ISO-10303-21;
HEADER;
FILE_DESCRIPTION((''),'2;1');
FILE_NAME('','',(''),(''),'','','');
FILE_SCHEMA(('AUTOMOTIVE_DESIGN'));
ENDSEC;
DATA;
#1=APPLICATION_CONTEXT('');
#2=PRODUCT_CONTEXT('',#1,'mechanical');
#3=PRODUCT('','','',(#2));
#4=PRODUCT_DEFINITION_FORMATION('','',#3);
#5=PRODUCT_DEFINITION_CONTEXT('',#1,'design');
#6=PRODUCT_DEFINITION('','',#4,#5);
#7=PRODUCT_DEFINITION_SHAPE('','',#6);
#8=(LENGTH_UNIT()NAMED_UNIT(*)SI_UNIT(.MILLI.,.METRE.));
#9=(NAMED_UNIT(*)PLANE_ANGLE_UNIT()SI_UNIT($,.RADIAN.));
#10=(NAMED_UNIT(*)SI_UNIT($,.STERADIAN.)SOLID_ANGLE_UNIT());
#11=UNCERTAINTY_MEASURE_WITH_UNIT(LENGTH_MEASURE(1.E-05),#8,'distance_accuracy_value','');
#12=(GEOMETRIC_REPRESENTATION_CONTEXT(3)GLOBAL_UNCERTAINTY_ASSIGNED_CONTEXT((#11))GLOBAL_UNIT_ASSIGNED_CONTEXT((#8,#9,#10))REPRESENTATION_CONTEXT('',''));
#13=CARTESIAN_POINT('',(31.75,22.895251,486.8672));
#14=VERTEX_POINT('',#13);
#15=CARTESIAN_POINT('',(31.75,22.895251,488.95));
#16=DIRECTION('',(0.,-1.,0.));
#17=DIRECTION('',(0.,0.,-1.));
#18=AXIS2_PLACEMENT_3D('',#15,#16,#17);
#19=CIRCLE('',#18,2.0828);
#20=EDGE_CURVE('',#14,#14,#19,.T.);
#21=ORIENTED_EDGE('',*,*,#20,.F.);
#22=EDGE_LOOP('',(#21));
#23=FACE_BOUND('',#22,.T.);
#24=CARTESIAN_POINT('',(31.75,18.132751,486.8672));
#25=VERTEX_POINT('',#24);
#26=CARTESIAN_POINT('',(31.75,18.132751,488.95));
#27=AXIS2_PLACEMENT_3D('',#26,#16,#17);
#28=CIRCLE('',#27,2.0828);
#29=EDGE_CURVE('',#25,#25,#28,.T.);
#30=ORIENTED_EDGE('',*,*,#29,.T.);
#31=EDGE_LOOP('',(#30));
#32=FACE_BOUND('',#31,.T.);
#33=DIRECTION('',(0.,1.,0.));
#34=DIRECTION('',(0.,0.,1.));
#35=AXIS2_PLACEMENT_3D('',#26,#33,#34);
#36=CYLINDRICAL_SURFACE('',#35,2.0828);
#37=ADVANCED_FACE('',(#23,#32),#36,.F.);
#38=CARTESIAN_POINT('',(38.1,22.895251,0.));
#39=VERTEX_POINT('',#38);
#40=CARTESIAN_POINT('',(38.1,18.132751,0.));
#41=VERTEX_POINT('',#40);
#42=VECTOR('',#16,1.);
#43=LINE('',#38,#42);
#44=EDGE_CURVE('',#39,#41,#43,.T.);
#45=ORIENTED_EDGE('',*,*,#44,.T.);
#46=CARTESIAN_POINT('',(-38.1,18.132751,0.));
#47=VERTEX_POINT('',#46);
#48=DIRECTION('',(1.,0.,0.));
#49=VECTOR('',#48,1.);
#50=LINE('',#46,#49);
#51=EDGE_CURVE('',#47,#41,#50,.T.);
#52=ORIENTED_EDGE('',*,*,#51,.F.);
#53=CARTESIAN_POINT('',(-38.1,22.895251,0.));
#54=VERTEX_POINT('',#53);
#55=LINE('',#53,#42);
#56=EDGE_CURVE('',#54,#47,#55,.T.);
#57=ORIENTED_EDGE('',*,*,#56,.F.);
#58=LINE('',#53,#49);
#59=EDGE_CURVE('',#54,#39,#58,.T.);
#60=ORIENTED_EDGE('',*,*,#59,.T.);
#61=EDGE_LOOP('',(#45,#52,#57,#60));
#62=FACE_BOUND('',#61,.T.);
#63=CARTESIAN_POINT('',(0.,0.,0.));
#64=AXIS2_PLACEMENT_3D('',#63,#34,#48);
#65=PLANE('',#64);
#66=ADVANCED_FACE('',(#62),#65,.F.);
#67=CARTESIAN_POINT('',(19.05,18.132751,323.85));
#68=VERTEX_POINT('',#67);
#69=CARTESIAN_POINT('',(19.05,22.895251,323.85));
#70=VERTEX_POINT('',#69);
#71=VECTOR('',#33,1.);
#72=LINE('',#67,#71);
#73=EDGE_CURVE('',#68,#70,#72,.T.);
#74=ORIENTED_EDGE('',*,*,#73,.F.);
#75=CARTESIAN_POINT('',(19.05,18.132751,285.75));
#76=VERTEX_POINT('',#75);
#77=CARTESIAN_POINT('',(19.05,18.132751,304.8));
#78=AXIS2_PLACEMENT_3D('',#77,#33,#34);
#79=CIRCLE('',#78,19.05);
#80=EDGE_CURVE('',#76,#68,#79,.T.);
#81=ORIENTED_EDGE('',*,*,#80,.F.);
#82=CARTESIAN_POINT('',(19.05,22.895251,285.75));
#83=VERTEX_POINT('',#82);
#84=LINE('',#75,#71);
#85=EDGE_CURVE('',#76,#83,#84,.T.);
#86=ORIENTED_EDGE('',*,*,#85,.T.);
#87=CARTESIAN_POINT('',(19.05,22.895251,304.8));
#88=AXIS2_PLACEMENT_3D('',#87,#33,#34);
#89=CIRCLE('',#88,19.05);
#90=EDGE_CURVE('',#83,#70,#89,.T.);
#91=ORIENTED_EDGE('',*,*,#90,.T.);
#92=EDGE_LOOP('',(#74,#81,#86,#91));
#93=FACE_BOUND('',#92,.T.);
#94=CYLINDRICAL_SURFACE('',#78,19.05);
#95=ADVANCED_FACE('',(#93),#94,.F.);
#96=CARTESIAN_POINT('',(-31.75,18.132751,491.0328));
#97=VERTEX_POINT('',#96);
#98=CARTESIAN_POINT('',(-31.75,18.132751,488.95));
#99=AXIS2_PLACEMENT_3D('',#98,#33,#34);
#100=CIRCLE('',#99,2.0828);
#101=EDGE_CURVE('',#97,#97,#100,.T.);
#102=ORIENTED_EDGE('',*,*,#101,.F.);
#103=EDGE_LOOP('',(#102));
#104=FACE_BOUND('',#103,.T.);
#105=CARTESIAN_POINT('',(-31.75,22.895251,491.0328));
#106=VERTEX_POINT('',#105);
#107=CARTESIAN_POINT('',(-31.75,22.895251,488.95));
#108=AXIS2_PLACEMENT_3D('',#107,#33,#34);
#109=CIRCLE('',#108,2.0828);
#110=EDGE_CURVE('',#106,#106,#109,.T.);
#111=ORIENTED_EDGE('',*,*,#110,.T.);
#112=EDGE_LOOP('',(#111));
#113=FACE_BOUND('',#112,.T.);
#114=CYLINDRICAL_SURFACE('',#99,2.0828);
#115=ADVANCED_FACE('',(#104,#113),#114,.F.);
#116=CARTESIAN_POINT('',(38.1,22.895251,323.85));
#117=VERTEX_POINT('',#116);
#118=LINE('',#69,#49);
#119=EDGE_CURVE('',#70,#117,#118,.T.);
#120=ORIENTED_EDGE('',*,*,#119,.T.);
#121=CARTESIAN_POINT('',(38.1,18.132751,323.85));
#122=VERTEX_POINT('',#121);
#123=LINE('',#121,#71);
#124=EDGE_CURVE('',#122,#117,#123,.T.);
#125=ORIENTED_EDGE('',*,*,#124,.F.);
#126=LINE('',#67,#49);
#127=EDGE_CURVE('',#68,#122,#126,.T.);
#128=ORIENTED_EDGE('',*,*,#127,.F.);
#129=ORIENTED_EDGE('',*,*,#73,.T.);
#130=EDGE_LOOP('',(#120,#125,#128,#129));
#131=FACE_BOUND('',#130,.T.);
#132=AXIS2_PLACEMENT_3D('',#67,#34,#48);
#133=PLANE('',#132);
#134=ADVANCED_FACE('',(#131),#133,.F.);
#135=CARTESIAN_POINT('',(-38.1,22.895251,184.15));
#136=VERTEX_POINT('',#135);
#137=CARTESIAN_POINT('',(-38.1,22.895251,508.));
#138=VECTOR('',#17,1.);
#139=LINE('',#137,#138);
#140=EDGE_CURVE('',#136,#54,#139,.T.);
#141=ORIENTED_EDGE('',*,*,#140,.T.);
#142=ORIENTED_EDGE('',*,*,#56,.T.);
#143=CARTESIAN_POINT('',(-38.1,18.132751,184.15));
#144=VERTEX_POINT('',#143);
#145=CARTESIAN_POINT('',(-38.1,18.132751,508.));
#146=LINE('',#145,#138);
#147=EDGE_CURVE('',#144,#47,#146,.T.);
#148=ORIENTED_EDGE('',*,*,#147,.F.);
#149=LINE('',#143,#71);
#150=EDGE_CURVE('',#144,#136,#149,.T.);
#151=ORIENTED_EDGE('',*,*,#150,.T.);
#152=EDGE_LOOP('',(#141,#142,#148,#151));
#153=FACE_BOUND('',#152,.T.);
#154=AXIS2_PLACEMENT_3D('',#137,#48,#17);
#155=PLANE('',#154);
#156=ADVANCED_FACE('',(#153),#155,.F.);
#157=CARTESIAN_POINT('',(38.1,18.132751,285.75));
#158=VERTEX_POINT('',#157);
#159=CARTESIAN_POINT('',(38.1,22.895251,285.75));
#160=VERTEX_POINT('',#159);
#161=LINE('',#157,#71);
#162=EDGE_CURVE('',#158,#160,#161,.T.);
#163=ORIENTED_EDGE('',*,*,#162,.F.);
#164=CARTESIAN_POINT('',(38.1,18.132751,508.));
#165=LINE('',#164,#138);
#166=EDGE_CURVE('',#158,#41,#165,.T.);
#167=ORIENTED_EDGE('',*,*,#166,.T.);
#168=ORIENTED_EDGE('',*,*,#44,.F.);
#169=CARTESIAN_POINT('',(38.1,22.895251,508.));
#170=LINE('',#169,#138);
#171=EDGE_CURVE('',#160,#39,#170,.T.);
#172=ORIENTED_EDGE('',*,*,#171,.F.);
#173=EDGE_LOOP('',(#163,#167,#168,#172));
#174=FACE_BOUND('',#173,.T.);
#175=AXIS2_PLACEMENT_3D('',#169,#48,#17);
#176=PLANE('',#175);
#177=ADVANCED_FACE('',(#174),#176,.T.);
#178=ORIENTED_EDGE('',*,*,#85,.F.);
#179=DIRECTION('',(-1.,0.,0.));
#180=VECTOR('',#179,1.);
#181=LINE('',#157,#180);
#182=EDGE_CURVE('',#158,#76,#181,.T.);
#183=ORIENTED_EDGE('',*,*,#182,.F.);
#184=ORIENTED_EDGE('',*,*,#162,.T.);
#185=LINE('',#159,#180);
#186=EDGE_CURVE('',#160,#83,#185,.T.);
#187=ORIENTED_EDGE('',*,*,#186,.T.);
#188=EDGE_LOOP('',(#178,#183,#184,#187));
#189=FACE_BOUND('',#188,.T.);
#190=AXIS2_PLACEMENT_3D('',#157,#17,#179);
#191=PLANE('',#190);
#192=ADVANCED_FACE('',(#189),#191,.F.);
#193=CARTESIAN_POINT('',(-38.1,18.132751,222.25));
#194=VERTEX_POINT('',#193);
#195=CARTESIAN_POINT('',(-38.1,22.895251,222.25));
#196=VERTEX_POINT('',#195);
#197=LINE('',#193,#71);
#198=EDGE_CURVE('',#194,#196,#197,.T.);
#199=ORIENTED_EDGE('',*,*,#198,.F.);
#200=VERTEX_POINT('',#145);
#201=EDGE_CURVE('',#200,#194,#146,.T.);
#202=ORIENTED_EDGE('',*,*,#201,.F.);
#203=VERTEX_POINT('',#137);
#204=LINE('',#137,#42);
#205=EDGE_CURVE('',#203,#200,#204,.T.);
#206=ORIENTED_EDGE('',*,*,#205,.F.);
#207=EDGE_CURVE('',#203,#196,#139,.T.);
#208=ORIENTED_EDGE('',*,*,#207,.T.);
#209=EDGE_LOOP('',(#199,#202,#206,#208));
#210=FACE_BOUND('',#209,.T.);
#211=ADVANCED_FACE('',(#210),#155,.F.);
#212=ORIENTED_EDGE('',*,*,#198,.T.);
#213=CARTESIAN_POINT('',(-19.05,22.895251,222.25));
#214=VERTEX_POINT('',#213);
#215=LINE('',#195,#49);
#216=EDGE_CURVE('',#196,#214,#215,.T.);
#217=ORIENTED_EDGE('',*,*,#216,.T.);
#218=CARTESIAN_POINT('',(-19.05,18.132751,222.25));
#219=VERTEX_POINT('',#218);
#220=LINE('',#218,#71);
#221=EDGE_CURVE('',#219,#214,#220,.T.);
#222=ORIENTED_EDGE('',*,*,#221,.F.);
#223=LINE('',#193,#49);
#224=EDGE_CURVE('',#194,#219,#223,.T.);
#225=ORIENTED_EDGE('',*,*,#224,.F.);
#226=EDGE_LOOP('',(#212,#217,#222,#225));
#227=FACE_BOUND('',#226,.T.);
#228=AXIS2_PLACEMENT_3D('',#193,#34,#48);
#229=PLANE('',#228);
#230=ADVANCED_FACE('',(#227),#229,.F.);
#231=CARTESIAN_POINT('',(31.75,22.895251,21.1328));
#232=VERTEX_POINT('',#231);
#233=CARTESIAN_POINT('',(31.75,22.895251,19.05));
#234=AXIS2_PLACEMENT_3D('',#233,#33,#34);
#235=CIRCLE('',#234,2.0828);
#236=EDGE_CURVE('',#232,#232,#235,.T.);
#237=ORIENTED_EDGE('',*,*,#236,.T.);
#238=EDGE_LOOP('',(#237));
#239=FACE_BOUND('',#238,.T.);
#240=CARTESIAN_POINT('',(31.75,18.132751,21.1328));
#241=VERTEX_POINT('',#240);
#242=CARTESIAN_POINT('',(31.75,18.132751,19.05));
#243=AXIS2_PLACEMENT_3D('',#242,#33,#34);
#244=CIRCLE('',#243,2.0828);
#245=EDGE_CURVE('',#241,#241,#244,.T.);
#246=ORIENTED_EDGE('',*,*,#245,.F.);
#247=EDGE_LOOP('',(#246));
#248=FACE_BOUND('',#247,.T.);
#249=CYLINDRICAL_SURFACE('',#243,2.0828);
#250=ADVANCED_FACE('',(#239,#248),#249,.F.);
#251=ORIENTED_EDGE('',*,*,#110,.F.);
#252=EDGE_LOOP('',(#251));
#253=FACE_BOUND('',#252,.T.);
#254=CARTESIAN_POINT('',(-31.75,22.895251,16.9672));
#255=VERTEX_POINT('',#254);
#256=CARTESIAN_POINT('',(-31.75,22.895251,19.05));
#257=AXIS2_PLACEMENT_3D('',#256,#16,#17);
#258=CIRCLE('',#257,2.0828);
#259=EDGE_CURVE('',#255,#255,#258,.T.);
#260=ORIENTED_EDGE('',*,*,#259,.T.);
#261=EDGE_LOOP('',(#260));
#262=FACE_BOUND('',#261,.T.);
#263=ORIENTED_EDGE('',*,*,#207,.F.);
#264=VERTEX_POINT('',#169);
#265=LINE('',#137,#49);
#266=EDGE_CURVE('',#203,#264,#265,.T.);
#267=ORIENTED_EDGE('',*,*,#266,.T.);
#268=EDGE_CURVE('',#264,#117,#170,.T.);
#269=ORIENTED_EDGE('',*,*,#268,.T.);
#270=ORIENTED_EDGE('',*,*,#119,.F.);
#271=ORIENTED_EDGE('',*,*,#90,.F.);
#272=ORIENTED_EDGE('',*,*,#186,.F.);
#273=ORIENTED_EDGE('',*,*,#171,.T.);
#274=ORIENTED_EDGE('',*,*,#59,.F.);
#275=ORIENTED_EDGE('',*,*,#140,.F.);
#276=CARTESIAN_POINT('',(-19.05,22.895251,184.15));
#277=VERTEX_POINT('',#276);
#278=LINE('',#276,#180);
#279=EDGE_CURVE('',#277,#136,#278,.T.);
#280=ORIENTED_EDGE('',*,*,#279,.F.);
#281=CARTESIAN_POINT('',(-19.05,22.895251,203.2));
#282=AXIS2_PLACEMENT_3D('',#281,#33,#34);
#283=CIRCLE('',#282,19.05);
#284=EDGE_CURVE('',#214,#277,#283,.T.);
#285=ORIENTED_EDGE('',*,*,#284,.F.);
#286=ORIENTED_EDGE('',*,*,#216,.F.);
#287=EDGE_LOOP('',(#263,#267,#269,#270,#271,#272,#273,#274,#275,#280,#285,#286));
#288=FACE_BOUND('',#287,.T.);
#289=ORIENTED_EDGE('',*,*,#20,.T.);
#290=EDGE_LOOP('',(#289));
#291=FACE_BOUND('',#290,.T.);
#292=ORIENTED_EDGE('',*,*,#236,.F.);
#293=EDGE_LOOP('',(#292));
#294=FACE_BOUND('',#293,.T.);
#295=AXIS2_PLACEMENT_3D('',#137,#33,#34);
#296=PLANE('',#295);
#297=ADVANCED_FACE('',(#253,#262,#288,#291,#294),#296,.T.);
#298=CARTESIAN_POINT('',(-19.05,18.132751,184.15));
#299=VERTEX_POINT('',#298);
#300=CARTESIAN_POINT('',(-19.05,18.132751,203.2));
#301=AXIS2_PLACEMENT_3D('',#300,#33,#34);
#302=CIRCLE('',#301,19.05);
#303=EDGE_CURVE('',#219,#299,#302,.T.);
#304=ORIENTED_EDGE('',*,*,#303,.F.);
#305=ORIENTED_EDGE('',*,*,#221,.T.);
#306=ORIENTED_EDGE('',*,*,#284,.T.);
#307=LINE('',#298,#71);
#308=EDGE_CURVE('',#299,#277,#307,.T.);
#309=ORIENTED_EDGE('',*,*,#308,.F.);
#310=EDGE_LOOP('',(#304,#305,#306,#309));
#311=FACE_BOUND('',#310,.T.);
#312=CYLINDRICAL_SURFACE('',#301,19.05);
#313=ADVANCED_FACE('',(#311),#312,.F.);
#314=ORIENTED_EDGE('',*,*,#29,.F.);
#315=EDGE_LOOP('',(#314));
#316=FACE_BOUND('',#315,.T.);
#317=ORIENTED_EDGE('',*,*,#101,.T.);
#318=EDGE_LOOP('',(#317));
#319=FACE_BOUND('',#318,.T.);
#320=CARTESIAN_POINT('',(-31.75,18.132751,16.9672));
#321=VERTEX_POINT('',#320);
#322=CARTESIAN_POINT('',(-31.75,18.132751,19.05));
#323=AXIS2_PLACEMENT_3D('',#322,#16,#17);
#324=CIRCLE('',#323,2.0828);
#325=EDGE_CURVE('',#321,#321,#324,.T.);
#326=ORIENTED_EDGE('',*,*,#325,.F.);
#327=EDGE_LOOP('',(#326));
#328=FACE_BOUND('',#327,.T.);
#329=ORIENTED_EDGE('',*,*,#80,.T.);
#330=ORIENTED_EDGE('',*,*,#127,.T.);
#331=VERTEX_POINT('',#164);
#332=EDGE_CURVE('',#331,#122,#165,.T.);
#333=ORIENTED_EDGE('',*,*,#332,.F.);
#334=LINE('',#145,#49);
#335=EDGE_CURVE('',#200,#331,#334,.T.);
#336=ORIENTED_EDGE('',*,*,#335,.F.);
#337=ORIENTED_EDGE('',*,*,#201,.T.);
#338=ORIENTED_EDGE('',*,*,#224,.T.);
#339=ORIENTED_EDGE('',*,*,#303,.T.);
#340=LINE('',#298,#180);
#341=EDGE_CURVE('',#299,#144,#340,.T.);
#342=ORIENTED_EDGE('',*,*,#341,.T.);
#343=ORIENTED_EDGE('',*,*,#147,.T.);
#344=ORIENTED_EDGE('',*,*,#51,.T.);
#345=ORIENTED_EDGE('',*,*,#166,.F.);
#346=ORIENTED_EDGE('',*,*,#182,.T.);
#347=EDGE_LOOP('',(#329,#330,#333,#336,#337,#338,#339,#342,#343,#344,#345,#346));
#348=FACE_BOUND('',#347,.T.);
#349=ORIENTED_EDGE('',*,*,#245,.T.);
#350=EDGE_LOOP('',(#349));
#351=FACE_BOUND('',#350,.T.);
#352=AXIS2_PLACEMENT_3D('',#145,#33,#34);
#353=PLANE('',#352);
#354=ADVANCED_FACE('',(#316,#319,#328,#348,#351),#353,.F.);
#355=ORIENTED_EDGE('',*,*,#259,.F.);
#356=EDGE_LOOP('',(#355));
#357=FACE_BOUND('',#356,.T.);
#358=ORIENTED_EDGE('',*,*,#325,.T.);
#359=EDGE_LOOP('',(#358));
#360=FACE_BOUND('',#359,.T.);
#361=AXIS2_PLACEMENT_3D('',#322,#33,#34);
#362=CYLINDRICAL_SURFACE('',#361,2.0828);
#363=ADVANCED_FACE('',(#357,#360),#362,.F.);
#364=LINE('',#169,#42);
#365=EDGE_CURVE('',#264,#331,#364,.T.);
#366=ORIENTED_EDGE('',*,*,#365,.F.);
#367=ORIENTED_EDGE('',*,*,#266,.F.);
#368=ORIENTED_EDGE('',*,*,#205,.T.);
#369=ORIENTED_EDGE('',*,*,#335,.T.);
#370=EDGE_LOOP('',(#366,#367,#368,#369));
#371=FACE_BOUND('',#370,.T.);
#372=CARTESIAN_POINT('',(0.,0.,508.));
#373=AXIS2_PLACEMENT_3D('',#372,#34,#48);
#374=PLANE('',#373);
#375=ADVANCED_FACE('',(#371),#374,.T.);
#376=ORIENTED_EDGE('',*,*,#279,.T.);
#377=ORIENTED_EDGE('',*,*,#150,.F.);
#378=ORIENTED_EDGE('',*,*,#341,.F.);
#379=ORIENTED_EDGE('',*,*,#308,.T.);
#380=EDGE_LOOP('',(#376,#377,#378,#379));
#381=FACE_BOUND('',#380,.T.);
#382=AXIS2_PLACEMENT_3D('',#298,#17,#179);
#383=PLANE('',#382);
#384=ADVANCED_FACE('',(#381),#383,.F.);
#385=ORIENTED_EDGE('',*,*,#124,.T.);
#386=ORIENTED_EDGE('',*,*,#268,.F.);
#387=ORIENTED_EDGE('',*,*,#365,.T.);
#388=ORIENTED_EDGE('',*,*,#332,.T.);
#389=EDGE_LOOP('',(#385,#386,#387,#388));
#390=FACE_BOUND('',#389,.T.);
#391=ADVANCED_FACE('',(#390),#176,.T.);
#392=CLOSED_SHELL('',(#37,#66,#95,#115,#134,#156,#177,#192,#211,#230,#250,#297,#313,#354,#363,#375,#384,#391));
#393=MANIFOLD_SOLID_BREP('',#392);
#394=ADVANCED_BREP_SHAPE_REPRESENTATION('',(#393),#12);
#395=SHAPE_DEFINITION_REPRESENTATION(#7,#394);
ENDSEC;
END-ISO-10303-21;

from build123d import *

# Parameters (mm, degrees)
SKETCH1_W           = 76.2
SKETCH1_H           = 4.7625
BOSS_EXTRUDE1_DEPTH = 508
CUT_EXTRUDE1_DEPTH  = 5.7625
SKETCH3_R           = 2.0828
CUT_EXTRUDE2_DEPTH  = 5.7625


with BuildPart() as part:
    # Sketch1 → Boss-Extrude1 (new body)
    with BuildSketch(Plane.XY):
        with Locations((0, 20.514000599)):
            Rectangle(SKETCH1_W, SKETCH1_H)
    extrude(amount=BOSS_EXTRUDE1_DEPTH)

    # Sketch2 → Cut-Extrude1 (cut, through all)
    with BuildSketch(Plane(origin=(0, 22.895250599, 0), x_dir=(1, 0, 0), z_dir=(0, 1, 0))):
        with BuildLine():
            Line((-19.05, -184.15), (-38.1, -184.15))
            Line((-38.1, -184.15), (-38.1, -222.25))
            Line((-38.1, -222.25), (-19.05, -222.25))
            ThreePointArc((-19.05, -222.25), (0, -203.2), (-19.05, -184.15))
        make_face()
        with BuildLine():
            Line((19.05, -323.85), (38.1, -323.85))
            Line((38.1, -323.85), (38.1, -285.75))
            Line((38.1, -285.75), (19.05, -285.75))
            ThreePointArc((19.05, -285.75), (0, -304.8), (19.05, -323.85))
        make_face()
    extrude(amount=-CUT_EXTRUDE1_DEPTH, mode=Mode.SUBTRACT)

    # Sketch3 → Cut-Extrude2 (cut, through all)
    with BuildSketch(Plane(origin=(0, 22.895250599, 0), x_dir=(1, 0, 0), z_dir=(0, 1, 0))):
        with Locations((-31.75, -488.95)):
            Circle(SKETCH3_R)
        with Locations((31.75, -19.05)):
            Circle(SKETCH3_R)
    cut_extrude2 = extrude(amount=-CUT_EXTRUDE2_DEPTH, mode=Mode.SUBTRACT)

    # Mirror1: Cut-Extrude2 across plane
    add(cut_extrude2.mirror(Plane.XY.offset(254)), mode=Mode.SUBTRACT)


solid = part.part
